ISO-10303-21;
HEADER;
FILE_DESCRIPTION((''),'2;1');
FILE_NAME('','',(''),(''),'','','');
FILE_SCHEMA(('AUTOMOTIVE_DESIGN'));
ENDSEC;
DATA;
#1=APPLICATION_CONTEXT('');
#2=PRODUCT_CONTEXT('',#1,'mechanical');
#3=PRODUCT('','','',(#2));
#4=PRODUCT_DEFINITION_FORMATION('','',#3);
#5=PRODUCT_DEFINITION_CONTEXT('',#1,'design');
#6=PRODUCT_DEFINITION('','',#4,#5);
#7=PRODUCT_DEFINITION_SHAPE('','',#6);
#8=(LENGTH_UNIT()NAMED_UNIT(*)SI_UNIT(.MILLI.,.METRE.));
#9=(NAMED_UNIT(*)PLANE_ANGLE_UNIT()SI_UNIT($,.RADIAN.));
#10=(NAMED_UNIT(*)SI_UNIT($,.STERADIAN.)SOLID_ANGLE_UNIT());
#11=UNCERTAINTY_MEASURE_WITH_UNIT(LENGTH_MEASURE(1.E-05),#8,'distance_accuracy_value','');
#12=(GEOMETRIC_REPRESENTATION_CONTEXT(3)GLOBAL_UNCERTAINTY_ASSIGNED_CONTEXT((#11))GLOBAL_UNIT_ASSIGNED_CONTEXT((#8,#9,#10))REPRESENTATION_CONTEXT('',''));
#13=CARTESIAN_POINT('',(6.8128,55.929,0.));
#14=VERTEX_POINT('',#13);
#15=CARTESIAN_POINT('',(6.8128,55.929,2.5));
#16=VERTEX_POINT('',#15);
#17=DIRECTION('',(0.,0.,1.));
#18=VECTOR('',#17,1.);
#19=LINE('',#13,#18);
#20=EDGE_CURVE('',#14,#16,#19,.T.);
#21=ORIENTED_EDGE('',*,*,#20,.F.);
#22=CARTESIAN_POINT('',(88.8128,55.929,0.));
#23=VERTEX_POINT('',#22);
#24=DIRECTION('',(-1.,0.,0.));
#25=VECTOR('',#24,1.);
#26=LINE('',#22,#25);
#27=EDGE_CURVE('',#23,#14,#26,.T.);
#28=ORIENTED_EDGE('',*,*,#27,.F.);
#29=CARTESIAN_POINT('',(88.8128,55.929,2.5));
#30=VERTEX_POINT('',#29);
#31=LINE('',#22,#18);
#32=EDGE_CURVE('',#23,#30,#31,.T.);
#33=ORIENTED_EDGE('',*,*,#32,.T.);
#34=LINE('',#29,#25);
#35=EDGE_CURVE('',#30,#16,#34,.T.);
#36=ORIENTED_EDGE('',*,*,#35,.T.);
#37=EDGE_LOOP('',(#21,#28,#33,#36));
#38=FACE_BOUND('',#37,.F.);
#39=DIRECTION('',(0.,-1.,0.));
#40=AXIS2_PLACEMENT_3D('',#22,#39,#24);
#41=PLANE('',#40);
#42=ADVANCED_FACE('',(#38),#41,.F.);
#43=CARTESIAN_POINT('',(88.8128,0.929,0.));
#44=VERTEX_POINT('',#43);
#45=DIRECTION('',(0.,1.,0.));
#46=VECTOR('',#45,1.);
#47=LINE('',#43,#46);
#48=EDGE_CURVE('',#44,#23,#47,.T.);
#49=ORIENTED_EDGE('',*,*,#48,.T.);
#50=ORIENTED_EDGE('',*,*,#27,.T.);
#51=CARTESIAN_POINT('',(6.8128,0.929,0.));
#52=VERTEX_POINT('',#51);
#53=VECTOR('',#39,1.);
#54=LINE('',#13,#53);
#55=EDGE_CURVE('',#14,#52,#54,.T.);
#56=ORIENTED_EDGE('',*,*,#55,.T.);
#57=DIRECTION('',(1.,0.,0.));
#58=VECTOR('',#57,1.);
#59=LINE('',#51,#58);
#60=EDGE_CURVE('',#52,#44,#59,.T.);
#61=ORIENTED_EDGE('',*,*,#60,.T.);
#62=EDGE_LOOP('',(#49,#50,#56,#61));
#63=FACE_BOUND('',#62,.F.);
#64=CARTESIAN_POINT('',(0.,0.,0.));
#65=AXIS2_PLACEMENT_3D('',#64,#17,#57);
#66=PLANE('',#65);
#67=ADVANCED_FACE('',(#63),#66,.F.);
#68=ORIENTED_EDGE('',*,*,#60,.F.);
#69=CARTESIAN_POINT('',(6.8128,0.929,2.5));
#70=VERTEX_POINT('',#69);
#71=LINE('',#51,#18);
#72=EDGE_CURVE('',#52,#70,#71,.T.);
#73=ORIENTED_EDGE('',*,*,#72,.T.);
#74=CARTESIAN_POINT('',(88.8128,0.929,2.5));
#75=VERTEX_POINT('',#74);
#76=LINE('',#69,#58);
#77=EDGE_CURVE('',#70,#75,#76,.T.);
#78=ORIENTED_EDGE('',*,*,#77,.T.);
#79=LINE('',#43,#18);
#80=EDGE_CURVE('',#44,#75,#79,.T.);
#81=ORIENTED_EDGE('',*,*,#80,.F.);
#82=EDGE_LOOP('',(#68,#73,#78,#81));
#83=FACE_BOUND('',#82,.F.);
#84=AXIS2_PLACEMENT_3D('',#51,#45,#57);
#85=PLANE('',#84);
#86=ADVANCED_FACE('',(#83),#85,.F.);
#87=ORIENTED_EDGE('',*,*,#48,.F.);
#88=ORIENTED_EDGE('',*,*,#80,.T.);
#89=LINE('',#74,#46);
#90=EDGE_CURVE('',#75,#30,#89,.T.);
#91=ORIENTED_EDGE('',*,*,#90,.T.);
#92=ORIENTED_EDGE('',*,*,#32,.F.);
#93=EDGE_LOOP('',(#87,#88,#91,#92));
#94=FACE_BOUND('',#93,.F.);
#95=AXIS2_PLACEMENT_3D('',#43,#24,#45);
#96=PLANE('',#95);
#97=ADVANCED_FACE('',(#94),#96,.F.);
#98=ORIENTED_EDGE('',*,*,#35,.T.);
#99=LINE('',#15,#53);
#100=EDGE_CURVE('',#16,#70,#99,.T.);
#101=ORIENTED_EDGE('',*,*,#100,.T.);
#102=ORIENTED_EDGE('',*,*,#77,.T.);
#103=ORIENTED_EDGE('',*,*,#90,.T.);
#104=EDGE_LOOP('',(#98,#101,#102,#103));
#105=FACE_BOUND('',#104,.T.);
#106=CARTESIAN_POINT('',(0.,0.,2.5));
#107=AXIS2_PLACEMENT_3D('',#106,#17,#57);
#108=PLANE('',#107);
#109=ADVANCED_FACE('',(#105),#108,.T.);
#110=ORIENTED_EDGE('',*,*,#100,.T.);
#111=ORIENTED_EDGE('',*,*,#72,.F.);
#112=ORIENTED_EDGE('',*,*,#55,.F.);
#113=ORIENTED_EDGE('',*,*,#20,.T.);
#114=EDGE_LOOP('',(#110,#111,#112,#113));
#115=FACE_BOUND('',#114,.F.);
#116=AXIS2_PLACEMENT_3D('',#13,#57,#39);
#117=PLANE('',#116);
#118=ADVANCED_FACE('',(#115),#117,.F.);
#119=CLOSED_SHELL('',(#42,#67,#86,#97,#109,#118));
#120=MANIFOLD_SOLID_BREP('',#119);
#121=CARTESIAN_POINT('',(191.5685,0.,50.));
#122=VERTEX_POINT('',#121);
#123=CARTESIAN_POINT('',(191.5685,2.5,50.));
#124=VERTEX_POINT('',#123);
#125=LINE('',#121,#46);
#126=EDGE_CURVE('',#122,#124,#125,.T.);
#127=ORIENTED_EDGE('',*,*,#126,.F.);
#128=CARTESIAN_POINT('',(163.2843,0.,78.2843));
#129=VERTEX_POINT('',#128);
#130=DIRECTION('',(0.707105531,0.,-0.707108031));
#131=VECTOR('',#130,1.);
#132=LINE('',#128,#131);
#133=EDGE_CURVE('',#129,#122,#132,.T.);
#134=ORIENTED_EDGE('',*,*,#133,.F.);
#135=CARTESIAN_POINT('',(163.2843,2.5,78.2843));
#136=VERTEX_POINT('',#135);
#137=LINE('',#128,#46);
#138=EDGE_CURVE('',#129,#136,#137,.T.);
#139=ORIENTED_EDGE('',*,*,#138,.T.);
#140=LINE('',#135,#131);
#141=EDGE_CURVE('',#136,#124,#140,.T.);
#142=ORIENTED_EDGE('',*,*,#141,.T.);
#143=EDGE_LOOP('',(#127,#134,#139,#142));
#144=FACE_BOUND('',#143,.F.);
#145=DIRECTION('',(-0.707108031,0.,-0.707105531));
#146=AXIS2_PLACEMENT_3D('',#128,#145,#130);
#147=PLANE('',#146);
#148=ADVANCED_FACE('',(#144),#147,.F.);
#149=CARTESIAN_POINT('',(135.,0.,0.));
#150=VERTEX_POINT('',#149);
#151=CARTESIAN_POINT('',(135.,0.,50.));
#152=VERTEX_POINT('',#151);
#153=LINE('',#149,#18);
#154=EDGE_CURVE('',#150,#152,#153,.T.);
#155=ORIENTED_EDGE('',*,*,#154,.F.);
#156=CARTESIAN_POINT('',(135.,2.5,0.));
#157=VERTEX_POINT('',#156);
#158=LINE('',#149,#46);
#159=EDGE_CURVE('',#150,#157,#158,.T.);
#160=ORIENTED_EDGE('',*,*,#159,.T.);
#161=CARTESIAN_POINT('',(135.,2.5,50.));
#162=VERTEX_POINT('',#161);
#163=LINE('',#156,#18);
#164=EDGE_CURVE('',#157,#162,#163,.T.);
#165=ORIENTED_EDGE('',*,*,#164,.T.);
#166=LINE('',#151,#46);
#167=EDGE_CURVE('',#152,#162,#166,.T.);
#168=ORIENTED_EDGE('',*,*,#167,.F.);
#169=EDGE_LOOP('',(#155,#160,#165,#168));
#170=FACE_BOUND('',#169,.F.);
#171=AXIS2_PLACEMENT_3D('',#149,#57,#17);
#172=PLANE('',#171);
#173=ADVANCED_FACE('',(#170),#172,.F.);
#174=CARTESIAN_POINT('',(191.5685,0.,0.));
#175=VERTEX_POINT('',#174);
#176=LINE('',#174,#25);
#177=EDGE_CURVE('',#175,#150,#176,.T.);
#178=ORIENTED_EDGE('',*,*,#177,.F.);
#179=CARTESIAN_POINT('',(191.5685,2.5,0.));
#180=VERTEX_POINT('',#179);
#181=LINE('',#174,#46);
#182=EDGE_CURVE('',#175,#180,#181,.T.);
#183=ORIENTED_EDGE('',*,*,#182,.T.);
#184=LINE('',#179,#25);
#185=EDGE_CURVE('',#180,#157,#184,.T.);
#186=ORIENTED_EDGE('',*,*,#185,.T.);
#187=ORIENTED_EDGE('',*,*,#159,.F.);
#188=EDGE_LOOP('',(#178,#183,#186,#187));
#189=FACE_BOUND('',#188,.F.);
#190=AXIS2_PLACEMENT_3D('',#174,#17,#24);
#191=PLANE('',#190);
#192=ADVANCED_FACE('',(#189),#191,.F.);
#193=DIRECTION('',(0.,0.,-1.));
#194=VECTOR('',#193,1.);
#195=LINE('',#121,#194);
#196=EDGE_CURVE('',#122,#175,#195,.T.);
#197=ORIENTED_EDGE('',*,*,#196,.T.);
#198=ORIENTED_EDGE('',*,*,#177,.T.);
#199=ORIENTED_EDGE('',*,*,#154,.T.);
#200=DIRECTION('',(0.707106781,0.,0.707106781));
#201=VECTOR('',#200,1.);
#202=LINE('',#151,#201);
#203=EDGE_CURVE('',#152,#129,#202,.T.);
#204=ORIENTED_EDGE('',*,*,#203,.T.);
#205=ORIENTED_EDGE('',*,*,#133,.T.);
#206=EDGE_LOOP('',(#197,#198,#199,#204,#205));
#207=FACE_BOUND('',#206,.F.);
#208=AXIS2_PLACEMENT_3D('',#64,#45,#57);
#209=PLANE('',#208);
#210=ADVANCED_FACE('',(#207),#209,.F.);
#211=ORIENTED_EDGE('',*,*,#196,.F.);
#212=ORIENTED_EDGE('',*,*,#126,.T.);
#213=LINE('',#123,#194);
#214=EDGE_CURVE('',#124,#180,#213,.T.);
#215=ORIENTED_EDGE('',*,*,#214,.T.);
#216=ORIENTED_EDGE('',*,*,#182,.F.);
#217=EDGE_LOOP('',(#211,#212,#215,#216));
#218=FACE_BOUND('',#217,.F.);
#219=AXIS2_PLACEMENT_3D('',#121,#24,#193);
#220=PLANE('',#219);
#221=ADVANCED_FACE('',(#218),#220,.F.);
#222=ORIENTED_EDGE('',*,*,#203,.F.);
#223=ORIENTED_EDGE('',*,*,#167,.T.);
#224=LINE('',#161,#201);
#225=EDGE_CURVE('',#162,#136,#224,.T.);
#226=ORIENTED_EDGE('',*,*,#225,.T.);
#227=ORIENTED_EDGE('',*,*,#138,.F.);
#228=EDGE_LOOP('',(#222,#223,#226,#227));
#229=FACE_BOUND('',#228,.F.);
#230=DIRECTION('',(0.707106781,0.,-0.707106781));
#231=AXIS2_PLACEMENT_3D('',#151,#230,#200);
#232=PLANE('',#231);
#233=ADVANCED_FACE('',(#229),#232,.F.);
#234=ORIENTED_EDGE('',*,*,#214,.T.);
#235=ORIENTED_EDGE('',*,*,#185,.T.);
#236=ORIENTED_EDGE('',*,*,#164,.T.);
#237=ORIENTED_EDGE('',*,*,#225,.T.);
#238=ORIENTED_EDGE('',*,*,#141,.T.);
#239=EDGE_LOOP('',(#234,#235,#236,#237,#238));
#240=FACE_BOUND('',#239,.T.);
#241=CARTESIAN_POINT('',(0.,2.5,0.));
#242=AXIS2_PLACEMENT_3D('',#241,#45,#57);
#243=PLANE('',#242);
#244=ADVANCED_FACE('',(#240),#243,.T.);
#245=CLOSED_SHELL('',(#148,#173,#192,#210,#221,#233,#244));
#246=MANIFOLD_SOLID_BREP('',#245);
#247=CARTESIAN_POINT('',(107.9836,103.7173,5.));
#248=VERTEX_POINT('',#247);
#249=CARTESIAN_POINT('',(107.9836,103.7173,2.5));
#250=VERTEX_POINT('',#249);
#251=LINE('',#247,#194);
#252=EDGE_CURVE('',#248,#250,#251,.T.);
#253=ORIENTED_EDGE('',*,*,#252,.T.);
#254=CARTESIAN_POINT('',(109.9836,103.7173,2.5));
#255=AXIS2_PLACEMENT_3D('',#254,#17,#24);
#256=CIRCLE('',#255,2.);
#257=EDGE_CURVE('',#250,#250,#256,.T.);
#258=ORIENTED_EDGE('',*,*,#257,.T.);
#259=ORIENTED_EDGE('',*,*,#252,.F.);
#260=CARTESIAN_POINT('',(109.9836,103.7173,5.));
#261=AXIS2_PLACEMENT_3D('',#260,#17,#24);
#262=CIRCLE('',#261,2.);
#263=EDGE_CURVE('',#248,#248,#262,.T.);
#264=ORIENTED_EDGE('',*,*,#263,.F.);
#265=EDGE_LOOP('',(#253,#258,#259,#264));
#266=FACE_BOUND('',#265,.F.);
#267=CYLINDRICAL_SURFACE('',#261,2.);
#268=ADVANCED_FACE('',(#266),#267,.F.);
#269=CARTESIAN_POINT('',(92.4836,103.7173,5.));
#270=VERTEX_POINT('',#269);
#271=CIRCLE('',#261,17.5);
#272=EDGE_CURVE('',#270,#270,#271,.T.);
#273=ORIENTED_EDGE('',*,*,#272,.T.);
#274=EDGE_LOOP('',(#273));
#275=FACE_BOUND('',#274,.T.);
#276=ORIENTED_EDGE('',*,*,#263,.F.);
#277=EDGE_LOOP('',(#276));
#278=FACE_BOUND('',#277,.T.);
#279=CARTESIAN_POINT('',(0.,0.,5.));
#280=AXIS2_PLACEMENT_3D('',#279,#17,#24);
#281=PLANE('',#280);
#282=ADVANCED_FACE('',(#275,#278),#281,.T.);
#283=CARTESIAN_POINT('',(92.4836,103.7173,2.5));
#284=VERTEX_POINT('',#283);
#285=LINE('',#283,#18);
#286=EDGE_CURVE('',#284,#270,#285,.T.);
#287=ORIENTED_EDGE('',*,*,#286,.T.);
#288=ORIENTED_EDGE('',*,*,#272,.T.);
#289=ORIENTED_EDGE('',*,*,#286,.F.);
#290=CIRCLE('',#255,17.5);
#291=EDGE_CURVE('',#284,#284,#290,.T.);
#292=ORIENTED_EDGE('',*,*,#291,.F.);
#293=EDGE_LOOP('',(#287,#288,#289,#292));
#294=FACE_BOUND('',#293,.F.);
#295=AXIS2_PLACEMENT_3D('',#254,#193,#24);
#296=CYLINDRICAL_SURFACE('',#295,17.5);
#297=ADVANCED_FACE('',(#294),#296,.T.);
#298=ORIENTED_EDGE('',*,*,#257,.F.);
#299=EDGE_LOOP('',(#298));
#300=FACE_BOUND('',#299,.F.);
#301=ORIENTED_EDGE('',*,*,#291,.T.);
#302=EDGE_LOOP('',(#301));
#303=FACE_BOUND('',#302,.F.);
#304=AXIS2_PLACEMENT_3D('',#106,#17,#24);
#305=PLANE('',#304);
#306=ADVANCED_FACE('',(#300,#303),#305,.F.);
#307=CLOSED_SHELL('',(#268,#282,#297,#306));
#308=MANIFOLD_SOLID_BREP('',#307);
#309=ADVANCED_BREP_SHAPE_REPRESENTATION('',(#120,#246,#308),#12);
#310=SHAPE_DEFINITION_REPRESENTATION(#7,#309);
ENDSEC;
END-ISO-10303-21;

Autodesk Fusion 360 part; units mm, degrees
sketch "Sketch1" plane through (0, 0, 0) normal (0, 0, 1) x (1, 0, 0)
  line L0 (6.8128, 0.929) -> (88.8128, 0.929)
  line L1 (88.8128, 0.929) -> (88.8128, 55.929)
  line L2 (88.8128, 55.929) -> (6.8128, 55.929)
  line L3 (6.8128, 55.929) -> (6.8128, 0.929)
  dimension "d1" = 82
  dimension "d2" = 55
extrude "Extrude1" add sketch "Sketch1" along normal blind 2.5 makes body 1
sketch "Sketch2" plane through (0, 0, 2.5) normal (0, 0, 1) x (-1, 0, 0)
  line L0 (-6.8128, -55.929) -> (-6.8128, -0.929)
  line L1 (-6.8128, -0.929) -> (-88.8128, -0.929)
  line L2 (-88.8128, -0.929) -> (-88.8128, -55.929)
  line L3 (-88.8128, -55.929) -> (-6.8128, -55.929)
  circle A0 centre (-109.9836, -103.7173) radius 17.5
  dimension "d5" = 35
extrude "Extrude2" add sketch "Sketch2" along normal blind 2.5 separate body contours A0 makes body 2
sketch "Sketch3" plane through (0, 0, 5) normal (0, 0, 1) x (-1, 0, 0)
  circle A0 centre (-109.9836, -103.7173) radius 17.5
  circle A1 centre (-109.9836, -103.7173) radius 2
  dimension "d8" = 4
extrude "Extrude3" cut sketch "Sketch3" against normal blind 19 contours A1 bodies 2
sketch "Sketch4" plane through (0, 0, 0) normal (0, 1, 0) x (1, 0, 0)
  line L0 (135, 0) -> (135, -50)
  line L1 (135, -50) -> (163.2843, -78.2843)
  line L2 (135, -50) -> (175, -50) construction
  line L3 (163.2843, -78.2843) -> (191.5685, -50)
  line L4 (163.2843, -78.2843) -> (203.2843, -78.2843) construction
  line L5 (191.5685, -50) -> (191.5685, 0)
  line L6 (191.5685, 0) -> (135, 0)
  dimension "d11" = 50
  dimension "d12" = 40
  dimension "d13" = 45
  dimension "d14" = 45
  dimension "d15" = 40
  dimension "d16" = 50
extrude "Extrude4" add sketch "Sketch4" along normal blind 2.5 separate body makes body 3
